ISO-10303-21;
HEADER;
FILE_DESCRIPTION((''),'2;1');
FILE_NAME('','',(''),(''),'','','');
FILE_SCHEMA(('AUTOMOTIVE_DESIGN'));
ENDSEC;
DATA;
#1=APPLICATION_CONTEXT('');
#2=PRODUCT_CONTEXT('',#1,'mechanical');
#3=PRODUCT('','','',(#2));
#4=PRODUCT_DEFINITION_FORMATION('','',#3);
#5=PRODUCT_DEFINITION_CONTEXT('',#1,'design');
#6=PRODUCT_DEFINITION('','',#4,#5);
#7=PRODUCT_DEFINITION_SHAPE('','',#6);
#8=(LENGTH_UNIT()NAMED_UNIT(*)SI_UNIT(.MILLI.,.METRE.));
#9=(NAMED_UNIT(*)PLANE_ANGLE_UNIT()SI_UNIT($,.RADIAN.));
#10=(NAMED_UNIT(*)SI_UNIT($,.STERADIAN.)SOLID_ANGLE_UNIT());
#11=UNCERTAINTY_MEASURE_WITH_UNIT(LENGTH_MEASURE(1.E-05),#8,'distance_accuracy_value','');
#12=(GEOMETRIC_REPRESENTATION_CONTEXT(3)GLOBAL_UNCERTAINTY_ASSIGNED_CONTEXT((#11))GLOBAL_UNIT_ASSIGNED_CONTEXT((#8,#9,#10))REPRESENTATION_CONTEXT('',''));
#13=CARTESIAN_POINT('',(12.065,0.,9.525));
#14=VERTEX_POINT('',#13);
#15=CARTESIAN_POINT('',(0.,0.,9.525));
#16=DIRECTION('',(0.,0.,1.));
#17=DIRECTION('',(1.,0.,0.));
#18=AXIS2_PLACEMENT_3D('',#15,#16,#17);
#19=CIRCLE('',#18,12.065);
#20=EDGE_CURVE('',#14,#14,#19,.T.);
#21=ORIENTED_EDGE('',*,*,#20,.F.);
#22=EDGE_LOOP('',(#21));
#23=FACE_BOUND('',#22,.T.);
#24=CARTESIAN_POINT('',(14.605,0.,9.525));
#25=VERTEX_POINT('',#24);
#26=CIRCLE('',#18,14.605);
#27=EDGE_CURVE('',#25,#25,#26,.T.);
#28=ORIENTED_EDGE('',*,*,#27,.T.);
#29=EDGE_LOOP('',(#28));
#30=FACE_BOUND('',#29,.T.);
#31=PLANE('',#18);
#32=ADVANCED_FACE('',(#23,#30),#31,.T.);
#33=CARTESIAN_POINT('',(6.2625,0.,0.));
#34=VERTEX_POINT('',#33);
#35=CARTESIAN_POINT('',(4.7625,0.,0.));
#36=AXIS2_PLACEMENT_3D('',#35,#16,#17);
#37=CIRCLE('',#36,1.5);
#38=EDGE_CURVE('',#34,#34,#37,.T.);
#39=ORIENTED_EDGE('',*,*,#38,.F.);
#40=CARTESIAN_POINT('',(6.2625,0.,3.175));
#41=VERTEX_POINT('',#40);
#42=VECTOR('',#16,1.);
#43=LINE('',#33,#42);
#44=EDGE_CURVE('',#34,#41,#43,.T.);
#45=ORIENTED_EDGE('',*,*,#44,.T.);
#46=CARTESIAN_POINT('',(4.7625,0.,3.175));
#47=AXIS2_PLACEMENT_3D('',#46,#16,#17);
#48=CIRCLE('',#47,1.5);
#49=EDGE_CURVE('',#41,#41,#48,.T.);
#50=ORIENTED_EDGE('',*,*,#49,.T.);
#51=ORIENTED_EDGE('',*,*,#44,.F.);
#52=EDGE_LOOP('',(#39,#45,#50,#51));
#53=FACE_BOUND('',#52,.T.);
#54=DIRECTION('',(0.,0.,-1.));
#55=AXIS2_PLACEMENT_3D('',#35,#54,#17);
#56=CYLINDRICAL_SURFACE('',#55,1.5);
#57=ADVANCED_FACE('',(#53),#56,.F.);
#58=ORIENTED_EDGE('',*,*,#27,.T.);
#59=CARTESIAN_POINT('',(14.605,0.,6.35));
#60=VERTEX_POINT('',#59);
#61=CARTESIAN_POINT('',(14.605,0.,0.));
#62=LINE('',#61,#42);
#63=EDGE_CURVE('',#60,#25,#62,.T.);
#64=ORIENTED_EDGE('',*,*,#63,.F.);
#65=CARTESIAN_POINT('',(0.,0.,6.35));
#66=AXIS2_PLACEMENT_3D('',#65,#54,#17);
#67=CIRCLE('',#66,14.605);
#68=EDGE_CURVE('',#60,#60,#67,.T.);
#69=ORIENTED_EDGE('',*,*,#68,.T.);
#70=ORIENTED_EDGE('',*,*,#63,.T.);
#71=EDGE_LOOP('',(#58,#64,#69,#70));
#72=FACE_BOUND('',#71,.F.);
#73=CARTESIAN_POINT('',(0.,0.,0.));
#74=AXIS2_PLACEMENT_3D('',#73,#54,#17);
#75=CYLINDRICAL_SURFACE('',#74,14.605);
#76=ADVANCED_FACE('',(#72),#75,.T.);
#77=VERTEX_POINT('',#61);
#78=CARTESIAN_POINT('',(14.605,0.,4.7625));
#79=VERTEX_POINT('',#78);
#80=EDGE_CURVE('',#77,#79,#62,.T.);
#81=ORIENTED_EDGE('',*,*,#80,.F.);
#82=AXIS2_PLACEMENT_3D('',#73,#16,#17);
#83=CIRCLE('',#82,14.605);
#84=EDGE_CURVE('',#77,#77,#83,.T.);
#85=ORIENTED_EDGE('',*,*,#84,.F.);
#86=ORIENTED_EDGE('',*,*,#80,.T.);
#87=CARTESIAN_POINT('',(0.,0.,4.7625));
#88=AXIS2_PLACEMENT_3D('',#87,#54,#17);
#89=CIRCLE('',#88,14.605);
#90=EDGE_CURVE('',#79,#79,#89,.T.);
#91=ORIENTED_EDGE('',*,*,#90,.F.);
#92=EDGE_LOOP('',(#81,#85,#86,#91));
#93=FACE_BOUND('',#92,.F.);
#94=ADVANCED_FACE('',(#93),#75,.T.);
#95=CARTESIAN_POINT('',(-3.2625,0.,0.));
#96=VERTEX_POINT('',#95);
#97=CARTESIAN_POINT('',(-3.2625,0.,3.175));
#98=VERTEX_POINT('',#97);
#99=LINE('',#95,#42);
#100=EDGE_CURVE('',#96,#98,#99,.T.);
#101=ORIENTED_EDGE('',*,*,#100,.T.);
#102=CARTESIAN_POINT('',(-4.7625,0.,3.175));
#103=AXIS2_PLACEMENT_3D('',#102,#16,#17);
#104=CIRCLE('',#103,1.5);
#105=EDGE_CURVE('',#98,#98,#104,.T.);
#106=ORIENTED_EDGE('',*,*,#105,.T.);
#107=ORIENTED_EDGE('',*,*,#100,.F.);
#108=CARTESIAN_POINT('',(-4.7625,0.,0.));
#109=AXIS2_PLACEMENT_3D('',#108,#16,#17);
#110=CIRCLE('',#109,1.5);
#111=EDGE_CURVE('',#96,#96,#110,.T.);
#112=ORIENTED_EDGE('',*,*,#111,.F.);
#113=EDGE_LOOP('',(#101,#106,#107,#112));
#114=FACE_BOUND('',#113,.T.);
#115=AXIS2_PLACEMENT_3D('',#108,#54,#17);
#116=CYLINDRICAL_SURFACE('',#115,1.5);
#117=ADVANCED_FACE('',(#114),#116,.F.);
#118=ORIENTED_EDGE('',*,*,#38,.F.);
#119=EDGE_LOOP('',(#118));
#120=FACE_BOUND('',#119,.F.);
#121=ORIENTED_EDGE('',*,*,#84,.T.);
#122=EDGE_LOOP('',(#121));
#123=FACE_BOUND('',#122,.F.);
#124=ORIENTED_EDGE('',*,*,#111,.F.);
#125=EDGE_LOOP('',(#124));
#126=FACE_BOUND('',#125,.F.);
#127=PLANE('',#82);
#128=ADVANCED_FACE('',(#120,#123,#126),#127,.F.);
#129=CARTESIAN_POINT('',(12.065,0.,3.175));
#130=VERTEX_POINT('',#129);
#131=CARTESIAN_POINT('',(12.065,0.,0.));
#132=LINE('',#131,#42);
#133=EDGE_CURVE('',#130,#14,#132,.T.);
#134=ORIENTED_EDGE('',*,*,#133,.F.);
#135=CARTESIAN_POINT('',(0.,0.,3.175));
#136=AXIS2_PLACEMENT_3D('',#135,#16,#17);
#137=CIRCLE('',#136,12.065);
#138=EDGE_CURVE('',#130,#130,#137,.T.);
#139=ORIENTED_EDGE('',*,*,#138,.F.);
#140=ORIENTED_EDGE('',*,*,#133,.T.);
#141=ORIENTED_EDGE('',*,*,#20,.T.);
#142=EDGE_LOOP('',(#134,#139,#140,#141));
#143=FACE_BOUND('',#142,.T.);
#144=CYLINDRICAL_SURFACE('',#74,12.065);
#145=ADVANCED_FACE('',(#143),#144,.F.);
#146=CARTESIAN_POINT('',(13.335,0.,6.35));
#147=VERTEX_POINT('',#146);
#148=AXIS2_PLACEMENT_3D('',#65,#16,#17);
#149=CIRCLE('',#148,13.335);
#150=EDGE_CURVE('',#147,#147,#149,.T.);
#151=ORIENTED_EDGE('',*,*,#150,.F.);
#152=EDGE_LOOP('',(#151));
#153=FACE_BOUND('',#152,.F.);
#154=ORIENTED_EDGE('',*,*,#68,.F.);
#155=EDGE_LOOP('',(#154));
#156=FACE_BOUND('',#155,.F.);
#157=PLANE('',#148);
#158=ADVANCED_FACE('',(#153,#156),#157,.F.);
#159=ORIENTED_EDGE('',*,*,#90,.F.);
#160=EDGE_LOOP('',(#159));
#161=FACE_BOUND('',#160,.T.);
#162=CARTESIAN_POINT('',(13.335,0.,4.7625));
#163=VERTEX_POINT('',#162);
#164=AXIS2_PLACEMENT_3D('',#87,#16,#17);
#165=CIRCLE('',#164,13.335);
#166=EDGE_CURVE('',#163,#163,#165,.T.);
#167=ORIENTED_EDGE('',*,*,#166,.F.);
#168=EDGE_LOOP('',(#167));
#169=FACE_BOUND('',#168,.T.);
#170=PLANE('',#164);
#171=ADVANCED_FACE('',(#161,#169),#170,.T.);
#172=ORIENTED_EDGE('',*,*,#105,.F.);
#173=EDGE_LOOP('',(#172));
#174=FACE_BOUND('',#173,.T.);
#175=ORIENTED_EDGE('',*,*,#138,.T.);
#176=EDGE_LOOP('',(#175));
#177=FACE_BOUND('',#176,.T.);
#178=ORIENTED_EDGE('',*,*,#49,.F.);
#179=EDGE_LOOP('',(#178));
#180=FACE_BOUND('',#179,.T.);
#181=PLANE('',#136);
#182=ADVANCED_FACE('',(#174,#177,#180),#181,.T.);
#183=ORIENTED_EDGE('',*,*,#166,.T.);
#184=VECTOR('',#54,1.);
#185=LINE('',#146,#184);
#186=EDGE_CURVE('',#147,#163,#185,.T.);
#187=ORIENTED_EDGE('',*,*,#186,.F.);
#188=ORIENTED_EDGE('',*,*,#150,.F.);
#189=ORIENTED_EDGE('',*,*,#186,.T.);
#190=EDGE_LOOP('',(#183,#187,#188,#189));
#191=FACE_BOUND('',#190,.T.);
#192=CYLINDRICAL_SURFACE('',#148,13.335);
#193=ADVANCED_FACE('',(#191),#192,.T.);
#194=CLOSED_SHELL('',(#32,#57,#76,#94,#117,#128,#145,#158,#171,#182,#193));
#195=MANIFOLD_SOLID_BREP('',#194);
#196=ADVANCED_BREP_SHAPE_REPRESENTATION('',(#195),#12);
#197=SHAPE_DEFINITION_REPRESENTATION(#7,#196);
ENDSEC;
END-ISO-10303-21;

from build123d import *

# Parameters (mm, degrees)
F0_R     = 14.605
F0_R_2   = 12.065
F1_DEPTH = 9.525
F0_R_3   = 1.5
F2_DEPTH = 3.175
F4_R     = 18.379294
F4_R_2   = 13.335
F5_DEPTH = 1.5875


with BuildPart() as f1:
    # F0 (on Top) → F1 (new body)
    with BuildSketch(Plane.XY):
        Circle(F0_R)
        Circle(F0_R_2, mode=Mode.SUBTRACT)
    extrude(amount=F1_DEPTH)

    # F0 (on Top) → F2 (join)
    with BuildSketch(Plane.XY):
        Circle(F0_R_2)
        with Locations((-4.7625, 0)):
            Circle(F0_R_3, mode=Mode.SUBTRACT)
        with Locations((4.7625, 0)):
            Circle(F0_R_3, mode=Mode.SUBTRACT)
    extrude(amount=F2_DEPTH)

    # F4 (on offset) → F5 (cut)
    with BuildSketch(Plane.XY.offset(6.35)):
        Circle(F4_R)
        Circle(F4_R_2, mode=Mode.SUBTRACT)
    extrude(amount=-F5_DEPTH, mode=Mode.SUBTRACT)


solid = f1.part
